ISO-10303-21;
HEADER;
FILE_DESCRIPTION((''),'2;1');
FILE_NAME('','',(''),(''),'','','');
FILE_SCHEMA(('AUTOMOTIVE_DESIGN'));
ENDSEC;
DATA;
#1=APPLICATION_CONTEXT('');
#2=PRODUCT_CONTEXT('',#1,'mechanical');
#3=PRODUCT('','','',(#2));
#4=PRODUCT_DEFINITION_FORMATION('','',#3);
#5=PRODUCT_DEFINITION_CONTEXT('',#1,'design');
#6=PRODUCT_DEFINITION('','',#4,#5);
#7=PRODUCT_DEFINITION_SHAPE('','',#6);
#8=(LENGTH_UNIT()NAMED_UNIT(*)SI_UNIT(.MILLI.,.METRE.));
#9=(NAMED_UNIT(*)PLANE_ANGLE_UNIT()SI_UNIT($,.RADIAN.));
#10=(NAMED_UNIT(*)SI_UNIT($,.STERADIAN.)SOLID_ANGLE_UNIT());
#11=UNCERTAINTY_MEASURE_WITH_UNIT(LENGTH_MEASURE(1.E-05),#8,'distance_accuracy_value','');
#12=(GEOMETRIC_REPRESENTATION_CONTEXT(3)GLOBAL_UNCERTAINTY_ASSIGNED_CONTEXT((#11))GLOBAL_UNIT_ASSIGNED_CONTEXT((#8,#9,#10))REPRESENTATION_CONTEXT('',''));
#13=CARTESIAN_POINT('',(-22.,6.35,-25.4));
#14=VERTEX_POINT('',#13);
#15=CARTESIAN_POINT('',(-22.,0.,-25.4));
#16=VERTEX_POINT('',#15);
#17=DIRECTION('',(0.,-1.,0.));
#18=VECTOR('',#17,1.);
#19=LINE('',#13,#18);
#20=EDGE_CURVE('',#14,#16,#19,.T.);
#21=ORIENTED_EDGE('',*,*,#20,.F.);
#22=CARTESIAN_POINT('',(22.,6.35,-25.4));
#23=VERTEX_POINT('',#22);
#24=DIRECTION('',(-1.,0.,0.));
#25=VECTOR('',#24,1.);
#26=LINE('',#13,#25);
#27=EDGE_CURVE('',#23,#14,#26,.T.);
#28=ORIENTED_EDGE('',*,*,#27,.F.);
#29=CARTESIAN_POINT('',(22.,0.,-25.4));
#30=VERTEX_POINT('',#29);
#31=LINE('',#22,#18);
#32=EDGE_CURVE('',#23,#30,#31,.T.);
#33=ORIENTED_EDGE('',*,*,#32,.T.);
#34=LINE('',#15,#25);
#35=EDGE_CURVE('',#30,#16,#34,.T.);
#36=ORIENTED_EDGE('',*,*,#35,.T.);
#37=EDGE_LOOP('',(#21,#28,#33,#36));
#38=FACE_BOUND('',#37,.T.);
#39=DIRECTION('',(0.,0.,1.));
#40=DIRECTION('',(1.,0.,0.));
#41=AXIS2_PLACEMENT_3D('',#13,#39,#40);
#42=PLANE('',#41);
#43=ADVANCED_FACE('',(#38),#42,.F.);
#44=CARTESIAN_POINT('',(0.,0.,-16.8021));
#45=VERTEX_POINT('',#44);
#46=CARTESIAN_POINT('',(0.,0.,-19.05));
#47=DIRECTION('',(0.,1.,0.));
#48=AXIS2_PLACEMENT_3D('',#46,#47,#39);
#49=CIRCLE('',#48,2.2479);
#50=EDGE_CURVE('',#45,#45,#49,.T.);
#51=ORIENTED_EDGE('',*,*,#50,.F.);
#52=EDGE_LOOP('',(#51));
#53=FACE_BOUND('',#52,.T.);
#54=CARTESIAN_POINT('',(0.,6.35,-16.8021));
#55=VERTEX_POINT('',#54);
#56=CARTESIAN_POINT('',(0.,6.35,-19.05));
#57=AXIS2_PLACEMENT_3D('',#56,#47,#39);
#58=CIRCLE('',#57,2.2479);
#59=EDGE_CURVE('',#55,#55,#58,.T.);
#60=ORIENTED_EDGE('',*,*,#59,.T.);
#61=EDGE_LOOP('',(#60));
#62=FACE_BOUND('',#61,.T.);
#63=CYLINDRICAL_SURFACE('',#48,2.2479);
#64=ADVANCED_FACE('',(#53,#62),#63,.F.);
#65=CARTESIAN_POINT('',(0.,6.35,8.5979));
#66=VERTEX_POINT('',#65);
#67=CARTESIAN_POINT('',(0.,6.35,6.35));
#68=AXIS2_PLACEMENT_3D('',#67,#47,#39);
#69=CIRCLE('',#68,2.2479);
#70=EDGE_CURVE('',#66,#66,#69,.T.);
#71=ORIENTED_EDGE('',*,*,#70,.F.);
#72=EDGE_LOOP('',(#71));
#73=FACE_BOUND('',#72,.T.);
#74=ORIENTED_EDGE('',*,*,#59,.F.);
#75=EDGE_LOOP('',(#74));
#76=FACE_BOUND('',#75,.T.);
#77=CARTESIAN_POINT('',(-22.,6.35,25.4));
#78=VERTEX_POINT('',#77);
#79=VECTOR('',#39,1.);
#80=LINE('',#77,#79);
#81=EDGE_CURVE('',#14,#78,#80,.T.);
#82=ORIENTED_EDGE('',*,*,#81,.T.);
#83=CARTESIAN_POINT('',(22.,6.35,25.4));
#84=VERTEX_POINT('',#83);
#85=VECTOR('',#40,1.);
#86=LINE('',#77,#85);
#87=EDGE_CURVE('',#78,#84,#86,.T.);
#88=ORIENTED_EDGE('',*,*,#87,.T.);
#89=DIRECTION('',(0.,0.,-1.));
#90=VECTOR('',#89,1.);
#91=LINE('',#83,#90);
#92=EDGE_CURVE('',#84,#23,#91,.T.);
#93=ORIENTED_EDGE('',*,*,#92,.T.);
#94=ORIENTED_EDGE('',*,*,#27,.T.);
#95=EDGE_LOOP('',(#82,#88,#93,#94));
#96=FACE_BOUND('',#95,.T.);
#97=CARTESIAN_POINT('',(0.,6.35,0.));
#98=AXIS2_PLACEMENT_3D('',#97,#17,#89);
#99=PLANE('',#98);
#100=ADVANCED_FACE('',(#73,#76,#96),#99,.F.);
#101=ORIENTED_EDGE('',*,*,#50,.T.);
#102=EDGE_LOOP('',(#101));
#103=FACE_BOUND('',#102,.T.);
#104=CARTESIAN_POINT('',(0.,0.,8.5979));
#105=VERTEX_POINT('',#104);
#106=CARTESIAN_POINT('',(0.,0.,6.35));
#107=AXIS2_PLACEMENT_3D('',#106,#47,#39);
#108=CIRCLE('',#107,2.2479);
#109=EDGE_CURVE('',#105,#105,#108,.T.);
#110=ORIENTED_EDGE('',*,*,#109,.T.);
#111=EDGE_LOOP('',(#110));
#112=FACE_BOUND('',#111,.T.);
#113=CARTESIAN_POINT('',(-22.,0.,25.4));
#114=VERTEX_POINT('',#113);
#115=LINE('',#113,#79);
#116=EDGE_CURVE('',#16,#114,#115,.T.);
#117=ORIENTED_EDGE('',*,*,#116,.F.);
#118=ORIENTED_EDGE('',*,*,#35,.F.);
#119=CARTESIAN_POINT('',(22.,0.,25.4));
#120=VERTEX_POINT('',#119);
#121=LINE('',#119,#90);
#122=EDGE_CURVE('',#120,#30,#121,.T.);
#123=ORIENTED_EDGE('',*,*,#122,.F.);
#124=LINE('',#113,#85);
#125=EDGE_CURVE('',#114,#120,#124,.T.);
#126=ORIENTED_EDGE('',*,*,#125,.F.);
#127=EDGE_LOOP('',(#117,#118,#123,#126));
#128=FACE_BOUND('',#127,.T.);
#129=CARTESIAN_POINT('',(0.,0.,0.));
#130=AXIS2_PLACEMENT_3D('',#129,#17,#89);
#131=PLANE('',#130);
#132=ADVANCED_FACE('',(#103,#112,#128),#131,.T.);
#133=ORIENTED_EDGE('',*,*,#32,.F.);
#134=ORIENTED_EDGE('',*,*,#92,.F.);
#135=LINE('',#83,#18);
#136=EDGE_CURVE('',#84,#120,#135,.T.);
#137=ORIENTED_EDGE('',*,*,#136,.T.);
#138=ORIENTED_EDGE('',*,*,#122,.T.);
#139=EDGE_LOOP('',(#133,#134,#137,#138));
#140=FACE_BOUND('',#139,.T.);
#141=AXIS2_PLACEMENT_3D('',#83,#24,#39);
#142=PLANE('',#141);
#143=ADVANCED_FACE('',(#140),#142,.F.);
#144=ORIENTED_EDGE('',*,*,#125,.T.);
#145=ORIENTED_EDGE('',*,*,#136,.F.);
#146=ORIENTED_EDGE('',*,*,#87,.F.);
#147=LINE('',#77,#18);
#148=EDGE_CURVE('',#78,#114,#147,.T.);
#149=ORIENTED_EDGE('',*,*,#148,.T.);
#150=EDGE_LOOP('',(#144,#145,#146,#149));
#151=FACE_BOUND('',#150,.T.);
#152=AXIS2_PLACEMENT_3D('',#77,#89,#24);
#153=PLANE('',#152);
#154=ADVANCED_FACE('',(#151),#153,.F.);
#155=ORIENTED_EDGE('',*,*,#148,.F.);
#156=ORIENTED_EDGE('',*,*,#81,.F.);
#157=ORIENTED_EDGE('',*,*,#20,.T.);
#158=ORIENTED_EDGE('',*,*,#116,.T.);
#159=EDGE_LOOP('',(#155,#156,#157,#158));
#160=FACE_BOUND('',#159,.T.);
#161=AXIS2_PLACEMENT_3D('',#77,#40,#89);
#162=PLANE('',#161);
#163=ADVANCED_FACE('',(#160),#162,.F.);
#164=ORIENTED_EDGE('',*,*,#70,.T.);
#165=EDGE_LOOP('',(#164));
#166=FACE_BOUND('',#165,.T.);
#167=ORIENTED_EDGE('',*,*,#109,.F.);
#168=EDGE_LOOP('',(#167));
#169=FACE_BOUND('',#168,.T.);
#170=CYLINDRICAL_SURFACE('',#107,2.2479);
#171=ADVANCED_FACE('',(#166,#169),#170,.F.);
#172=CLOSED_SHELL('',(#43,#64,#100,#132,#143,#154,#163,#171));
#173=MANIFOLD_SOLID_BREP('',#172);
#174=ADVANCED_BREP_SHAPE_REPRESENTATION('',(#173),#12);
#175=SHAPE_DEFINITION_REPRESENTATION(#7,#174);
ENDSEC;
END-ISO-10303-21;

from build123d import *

# Parameters (mm, degrees)
SKETCH1_W           = 44
SKETCH1_H           = 50.8
BOSS_EXTRUDE1_DEPTH = 6.35
SKETCH2_R           = 2.2479
CUT_EXTRUDE1_DEPTH  = 35.197697291


with BuildPart() as part:
    # Sketch1 → Boss-Extrude1 (new body)
    with BuildSketch(Plane(origin=(0, 0, 0), x_dir=(1, 0, 0), z_dir=(0, 1, 0))):
        Rectangle(SKETCH1_W, SKETCH1_H)
    extrude(amount=BOSS_EXTRUDE1_DEPTH)

    # Sketch2 → Cut-Extrude1 (cut, through all)
    with BuildSketch(Plane(origin=(0, 6.35, 0), x_dir=(1, 0, 0), z_dir=(0, 1, 0))):
        with Locations(Location((0, 19.05, 0), (0, 0, 270))):
            Circle(SKETCH2_R)
        with Locations(Location((0, -6.35, 0), (0, 0, 270))):
            Circle(SKETCH2_R)
    extrude(amount=-CUT_EXTRUDE1_DEPTH, mode=Mode.SUBTRACT)


solid = part.part
